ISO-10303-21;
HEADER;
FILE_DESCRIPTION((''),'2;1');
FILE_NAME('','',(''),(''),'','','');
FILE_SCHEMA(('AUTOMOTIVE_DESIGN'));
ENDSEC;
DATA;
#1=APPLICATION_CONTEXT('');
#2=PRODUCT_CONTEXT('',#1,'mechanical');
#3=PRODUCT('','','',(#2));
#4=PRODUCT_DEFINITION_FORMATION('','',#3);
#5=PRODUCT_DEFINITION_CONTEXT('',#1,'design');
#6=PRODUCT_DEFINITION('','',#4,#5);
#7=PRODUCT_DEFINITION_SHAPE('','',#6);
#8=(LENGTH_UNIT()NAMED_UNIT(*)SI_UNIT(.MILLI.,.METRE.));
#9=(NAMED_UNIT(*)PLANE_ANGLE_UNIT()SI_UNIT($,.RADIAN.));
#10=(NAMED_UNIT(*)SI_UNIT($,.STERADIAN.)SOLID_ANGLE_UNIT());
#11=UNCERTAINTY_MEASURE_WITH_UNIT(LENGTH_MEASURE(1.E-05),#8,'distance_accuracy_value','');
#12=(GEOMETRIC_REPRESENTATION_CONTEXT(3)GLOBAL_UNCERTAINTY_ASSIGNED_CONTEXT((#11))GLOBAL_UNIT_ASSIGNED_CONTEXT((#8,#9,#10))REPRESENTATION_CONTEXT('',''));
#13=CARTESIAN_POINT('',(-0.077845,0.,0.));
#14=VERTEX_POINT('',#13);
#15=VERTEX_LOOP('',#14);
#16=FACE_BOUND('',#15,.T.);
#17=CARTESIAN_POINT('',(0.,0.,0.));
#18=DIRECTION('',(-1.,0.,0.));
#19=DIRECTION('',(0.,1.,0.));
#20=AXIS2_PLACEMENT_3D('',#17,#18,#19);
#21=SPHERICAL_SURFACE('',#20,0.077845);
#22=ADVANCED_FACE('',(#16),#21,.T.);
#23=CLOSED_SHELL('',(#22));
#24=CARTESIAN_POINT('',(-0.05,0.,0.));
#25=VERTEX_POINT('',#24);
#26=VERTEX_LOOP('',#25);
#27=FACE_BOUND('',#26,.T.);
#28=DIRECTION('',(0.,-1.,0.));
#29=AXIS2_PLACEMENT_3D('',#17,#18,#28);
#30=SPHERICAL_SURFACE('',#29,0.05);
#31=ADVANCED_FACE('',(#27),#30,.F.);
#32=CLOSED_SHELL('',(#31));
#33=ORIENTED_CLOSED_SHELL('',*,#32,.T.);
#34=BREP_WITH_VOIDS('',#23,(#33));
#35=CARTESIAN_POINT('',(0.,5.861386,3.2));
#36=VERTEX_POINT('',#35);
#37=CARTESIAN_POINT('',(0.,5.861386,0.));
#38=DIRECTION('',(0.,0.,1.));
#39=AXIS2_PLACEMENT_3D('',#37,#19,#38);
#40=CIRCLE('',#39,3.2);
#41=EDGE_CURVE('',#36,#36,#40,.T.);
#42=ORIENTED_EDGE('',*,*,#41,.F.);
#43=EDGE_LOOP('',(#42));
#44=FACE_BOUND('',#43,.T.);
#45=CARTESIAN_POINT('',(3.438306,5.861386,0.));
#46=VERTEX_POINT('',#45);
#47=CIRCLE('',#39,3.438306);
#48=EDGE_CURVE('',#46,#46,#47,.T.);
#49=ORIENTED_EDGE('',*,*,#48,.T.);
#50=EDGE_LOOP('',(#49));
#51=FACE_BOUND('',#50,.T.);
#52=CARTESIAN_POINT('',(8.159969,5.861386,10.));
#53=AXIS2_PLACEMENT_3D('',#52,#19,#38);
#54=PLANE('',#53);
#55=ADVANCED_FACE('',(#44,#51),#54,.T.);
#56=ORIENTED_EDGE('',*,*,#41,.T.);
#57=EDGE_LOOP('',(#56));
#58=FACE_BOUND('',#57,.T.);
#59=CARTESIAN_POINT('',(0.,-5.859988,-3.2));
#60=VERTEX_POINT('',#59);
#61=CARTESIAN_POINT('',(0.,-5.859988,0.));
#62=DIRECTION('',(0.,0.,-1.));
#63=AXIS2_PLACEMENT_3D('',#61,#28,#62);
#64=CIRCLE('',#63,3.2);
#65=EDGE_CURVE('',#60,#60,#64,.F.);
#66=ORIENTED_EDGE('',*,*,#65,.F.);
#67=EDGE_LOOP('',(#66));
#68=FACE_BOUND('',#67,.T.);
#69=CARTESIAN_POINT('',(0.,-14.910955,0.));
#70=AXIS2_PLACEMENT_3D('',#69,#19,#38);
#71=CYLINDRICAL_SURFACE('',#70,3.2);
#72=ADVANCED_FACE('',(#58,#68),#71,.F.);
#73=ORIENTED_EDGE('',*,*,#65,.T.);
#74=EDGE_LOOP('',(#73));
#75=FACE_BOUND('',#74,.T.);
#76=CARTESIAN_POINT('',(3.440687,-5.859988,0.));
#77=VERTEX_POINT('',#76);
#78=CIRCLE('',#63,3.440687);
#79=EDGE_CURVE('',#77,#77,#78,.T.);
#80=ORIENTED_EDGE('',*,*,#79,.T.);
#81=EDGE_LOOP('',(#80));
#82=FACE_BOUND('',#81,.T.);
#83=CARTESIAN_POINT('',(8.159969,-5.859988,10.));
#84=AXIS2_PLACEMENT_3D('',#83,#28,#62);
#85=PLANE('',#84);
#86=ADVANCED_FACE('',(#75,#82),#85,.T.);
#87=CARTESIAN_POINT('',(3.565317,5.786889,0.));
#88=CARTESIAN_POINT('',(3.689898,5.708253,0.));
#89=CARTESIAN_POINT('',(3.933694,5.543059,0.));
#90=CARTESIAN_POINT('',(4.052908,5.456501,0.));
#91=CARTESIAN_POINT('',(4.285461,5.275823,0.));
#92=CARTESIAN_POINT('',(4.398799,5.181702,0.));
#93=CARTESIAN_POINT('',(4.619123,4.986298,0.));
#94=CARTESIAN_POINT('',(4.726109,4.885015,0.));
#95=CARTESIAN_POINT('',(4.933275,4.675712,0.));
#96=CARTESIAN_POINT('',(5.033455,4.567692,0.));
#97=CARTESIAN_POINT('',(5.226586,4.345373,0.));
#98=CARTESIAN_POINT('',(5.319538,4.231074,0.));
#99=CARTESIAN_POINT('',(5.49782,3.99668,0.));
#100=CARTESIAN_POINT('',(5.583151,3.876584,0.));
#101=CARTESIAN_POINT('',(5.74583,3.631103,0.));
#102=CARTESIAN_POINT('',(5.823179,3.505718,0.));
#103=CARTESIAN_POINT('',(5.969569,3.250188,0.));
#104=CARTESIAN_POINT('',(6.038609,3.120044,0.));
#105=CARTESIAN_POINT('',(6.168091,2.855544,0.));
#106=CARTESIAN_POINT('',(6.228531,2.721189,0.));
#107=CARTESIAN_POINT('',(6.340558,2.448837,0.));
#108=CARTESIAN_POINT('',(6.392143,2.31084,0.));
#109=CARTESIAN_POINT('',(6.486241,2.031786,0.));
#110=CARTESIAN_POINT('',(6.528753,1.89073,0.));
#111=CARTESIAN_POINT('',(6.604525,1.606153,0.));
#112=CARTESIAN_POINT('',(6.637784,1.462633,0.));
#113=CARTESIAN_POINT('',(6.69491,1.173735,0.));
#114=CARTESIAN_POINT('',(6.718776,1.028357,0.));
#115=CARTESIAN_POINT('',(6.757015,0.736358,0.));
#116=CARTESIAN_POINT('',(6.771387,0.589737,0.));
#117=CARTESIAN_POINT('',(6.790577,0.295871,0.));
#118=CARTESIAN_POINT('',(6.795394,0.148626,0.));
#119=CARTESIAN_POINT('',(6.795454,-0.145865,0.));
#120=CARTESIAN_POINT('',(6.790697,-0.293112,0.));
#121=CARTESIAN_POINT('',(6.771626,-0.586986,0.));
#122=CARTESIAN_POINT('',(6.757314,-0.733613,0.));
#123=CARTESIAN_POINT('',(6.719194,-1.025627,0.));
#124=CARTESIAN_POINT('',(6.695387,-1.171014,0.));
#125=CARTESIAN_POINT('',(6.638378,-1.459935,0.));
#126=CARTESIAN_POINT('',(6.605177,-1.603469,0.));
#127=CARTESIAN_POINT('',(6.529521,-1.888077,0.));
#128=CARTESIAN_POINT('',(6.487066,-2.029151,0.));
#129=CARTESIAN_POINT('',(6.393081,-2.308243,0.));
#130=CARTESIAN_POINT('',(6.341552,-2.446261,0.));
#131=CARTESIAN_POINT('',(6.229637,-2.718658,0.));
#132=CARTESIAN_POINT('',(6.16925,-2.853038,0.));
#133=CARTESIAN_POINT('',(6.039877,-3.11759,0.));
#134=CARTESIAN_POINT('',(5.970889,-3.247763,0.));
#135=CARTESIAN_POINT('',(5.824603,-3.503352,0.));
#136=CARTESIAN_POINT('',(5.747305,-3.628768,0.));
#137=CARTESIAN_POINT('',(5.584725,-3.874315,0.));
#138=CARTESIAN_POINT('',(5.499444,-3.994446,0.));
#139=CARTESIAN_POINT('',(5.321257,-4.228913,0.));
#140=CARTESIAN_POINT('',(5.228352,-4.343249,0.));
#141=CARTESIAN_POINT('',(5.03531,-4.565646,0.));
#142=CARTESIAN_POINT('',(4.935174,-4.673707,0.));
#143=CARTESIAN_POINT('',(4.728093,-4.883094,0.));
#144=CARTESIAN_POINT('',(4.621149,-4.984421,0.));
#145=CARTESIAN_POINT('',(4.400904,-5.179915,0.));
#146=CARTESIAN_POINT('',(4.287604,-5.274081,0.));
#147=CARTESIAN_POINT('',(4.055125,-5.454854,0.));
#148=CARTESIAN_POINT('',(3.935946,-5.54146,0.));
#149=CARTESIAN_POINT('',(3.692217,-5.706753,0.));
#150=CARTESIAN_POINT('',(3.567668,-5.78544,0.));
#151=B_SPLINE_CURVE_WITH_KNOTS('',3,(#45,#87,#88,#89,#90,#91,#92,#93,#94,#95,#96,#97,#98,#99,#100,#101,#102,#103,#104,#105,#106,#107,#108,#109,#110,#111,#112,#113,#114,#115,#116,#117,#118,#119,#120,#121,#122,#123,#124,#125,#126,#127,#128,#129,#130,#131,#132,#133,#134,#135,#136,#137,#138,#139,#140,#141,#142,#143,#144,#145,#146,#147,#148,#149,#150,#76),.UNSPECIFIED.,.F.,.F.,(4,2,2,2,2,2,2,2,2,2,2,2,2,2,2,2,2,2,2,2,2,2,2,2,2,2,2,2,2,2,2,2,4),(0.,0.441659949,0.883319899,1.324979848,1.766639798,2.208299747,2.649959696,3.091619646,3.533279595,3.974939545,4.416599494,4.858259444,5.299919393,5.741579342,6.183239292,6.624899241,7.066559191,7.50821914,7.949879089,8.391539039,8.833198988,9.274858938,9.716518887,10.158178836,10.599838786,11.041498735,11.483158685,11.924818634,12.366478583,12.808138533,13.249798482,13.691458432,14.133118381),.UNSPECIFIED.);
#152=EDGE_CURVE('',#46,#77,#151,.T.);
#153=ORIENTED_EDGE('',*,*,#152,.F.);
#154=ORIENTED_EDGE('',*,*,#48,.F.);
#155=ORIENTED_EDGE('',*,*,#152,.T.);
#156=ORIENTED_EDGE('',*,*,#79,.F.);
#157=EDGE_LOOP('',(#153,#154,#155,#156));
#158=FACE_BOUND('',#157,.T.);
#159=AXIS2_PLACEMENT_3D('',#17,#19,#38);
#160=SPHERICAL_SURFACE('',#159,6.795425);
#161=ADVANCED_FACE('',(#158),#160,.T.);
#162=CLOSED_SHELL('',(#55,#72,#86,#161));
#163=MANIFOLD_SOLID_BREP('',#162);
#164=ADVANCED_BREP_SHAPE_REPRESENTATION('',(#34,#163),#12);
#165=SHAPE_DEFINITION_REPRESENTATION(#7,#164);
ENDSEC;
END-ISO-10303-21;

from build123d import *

# Parameters (mm, degrees)
CUT_EXTRUDE3_DEPTH      = 10
CUT_EXTRUDE3_DEPTH_BACK = 10
SKETCH6_R               = 3.2
CUT_EXTRUDE5_DEPTH      = 11.721374412


with BuildPart() as part:
    # Sketch1 → Revolve1 (revolve)
    with BuildSketch(Plane.XY):
        with BuildLine():
            Line((-3.245502242, 5.970302284), (3.245502242, -5.970302284))
            ThreePointArc((3.245502242, -5.970302284), (5.970302284, 3.245502242), (-3.245502242, 5.970302284))
        make_face()
    revolve(axis=Axis((-3.245502242, 5.970302284, 0), (0.477601103601981, -0.8785767956406371, 0)))

    # Sketch4 → Cut-Extrude3 (cut, two sides: drawn at the far end of the back side and taken through both)
    with BuildSketch(Plane.XY.offset(-CUT_EXTRUDE3_DEPTH_BACK)):
        Polygon((8.159968685, 8.571644262), (-8.716743866, 8.555246622), (-8.716743866, 5.861385957), (8.159968685, 5.861385957), align=None)
        Polygon((0, -8.396596185), (-8.716743866, -8.134988455), (-8.716743866, -5.859988455), (8.159968685, -5.859988455), (8.159968685, -8.396596185), align=None)
    extrude(amount=CUT_EXTRUDE3_DEPTH + CUT_EXTRUDE3_DEPTH_BACK, mode=Mode.SUBTRACT)

    # Sketch6 → Cut-Extrude5 (cut)
    with BuildSketch(Plane(origin=(0, 5.861385957, 0), x_dir=(1, 0, 0), z_dir=(0, 1, 0))):
        with Locations(Location((0, 0, 0), (0, 0, 270))):
            Circle(SKETCH6_R)
    extrude(amount=-CUT_EXTRUDE5_DEPTH, mode=Mode.SUBTRACT)


with BuildPart() as body_2:
    # Sketch7 → Revolve2 (revolve)
    with BuildSketch(Plane.XY):
        with BuildLine():
            Line((0.05, 0), (0.077844983, 0))
            ThreePointArc((0.077844983, 0), (0, -0.077844983), (-0.077844983, 0))
            Line((-0.077844983, 0), (-0.05, 0))
            ThreePointArc((-0.05, 0), (0, -0.05), (0.05, 0))
        make_face()
    revolve(axis=Axis((0, 0, 0), (1, 0, 0)))


solid = Compound([part.part, body_2.part])
